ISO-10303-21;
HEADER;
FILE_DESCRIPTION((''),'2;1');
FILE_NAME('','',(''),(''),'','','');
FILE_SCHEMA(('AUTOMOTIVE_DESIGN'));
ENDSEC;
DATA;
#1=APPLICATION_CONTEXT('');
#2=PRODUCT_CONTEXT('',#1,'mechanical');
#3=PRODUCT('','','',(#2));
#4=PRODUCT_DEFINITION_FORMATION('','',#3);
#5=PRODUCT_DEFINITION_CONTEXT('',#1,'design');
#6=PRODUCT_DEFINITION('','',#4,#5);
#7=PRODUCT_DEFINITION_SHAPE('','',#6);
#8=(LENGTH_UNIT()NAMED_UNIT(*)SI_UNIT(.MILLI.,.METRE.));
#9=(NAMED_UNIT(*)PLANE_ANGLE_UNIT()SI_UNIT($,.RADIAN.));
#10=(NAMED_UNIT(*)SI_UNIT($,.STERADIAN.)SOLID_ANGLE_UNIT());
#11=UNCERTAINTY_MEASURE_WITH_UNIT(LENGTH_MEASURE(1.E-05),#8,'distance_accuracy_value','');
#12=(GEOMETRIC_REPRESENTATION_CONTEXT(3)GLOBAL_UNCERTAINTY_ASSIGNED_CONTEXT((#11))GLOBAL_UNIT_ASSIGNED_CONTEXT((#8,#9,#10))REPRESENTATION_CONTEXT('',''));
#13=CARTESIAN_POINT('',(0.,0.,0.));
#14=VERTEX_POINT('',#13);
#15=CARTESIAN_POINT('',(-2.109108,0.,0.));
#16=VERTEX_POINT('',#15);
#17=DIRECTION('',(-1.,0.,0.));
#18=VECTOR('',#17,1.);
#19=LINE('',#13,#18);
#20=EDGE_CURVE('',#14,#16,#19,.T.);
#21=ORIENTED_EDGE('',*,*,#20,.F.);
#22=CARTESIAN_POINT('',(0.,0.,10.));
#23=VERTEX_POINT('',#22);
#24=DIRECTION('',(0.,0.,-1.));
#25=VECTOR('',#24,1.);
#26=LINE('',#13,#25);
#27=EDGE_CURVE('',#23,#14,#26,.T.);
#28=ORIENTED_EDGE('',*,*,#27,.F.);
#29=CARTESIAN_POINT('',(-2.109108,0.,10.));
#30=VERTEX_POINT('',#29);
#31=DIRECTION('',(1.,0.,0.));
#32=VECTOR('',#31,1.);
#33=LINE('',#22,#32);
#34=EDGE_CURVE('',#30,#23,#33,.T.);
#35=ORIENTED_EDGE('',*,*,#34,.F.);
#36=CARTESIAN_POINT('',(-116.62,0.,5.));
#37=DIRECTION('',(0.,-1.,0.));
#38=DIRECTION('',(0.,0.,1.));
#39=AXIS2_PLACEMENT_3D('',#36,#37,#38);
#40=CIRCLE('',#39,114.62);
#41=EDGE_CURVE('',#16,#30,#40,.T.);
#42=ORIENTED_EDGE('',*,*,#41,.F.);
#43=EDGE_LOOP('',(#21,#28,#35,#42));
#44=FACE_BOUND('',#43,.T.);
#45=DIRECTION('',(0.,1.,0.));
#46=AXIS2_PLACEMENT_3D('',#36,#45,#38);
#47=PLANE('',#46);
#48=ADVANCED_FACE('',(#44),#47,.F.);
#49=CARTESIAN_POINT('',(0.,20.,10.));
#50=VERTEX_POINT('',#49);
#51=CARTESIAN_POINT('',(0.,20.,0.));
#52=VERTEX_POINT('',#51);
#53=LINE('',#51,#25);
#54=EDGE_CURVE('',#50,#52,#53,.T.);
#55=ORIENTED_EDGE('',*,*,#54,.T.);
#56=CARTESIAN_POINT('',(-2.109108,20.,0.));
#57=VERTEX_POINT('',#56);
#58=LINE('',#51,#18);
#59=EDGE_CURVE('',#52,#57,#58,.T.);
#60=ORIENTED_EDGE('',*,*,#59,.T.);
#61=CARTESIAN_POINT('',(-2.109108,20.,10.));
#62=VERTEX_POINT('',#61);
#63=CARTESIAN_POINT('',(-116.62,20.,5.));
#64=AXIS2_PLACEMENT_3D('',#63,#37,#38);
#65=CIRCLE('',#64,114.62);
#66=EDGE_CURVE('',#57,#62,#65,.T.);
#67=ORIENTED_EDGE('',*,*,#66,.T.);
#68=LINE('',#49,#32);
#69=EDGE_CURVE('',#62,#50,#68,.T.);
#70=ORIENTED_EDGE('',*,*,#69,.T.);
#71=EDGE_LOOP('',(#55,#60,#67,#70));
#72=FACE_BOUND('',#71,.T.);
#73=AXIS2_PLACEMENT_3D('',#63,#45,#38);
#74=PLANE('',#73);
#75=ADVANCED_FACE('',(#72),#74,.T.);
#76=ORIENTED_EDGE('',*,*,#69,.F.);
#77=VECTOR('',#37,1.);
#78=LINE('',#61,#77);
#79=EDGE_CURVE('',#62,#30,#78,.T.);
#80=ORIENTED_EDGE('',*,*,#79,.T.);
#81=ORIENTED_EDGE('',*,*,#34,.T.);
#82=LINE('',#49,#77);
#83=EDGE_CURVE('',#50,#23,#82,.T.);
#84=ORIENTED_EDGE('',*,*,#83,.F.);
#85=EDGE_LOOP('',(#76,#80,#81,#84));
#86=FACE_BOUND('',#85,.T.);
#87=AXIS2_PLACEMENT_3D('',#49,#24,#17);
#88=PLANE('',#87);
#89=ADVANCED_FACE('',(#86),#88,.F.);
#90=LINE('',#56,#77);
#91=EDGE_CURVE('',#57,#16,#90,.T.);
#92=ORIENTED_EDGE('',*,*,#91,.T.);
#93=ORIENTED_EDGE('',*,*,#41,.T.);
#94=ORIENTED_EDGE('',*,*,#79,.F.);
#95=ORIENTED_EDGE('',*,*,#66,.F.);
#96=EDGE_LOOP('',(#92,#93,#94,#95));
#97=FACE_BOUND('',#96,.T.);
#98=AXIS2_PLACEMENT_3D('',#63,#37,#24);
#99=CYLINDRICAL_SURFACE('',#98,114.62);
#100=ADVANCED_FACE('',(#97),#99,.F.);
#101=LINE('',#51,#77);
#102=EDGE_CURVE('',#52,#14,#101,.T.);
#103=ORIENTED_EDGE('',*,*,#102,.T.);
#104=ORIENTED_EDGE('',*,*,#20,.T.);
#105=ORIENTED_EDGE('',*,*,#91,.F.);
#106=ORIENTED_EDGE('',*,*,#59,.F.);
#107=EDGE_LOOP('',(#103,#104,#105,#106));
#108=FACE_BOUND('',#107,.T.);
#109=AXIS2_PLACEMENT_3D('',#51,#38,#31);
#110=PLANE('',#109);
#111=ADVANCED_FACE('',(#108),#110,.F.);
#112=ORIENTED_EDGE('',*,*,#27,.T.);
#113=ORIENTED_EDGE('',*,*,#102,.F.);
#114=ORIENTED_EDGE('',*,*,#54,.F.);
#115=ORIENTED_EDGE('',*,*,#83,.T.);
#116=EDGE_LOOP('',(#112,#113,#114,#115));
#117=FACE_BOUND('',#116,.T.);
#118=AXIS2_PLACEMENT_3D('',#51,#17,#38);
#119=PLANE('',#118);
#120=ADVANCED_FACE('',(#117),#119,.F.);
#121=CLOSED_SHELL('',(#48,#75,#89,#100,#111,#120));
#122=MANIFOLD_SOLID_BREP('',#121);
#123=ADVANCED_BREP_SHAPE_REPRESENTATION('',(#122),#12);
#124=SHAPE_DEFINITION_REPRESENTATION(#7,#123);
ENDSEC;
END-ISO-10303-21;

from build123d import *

# Parameters (mm, degrees)
EXTRUDE_1_DEPTH = 20


with BuildPart() as part:
    # 草图1 → 凸台-拉伸1 (new body)
    with BuildSketch(Plane(origin=(0, 0, 0), x_dir=(1, 0, 0), z_dir=(0, 1, 0))):
        with BuildLine():
            Line((0, 0), (0, -10))
            Line((0, -10), (-2.109107942, -10))
            ThreePointArc((-2.109107942, -10), (-2, -5), (-2.109107942, 0))
            Line((-2.109107942, 0), (0, 0))
        make_face()
    extrude(amount=EXTRUDE_1_DEPTH)


solid = part.part
